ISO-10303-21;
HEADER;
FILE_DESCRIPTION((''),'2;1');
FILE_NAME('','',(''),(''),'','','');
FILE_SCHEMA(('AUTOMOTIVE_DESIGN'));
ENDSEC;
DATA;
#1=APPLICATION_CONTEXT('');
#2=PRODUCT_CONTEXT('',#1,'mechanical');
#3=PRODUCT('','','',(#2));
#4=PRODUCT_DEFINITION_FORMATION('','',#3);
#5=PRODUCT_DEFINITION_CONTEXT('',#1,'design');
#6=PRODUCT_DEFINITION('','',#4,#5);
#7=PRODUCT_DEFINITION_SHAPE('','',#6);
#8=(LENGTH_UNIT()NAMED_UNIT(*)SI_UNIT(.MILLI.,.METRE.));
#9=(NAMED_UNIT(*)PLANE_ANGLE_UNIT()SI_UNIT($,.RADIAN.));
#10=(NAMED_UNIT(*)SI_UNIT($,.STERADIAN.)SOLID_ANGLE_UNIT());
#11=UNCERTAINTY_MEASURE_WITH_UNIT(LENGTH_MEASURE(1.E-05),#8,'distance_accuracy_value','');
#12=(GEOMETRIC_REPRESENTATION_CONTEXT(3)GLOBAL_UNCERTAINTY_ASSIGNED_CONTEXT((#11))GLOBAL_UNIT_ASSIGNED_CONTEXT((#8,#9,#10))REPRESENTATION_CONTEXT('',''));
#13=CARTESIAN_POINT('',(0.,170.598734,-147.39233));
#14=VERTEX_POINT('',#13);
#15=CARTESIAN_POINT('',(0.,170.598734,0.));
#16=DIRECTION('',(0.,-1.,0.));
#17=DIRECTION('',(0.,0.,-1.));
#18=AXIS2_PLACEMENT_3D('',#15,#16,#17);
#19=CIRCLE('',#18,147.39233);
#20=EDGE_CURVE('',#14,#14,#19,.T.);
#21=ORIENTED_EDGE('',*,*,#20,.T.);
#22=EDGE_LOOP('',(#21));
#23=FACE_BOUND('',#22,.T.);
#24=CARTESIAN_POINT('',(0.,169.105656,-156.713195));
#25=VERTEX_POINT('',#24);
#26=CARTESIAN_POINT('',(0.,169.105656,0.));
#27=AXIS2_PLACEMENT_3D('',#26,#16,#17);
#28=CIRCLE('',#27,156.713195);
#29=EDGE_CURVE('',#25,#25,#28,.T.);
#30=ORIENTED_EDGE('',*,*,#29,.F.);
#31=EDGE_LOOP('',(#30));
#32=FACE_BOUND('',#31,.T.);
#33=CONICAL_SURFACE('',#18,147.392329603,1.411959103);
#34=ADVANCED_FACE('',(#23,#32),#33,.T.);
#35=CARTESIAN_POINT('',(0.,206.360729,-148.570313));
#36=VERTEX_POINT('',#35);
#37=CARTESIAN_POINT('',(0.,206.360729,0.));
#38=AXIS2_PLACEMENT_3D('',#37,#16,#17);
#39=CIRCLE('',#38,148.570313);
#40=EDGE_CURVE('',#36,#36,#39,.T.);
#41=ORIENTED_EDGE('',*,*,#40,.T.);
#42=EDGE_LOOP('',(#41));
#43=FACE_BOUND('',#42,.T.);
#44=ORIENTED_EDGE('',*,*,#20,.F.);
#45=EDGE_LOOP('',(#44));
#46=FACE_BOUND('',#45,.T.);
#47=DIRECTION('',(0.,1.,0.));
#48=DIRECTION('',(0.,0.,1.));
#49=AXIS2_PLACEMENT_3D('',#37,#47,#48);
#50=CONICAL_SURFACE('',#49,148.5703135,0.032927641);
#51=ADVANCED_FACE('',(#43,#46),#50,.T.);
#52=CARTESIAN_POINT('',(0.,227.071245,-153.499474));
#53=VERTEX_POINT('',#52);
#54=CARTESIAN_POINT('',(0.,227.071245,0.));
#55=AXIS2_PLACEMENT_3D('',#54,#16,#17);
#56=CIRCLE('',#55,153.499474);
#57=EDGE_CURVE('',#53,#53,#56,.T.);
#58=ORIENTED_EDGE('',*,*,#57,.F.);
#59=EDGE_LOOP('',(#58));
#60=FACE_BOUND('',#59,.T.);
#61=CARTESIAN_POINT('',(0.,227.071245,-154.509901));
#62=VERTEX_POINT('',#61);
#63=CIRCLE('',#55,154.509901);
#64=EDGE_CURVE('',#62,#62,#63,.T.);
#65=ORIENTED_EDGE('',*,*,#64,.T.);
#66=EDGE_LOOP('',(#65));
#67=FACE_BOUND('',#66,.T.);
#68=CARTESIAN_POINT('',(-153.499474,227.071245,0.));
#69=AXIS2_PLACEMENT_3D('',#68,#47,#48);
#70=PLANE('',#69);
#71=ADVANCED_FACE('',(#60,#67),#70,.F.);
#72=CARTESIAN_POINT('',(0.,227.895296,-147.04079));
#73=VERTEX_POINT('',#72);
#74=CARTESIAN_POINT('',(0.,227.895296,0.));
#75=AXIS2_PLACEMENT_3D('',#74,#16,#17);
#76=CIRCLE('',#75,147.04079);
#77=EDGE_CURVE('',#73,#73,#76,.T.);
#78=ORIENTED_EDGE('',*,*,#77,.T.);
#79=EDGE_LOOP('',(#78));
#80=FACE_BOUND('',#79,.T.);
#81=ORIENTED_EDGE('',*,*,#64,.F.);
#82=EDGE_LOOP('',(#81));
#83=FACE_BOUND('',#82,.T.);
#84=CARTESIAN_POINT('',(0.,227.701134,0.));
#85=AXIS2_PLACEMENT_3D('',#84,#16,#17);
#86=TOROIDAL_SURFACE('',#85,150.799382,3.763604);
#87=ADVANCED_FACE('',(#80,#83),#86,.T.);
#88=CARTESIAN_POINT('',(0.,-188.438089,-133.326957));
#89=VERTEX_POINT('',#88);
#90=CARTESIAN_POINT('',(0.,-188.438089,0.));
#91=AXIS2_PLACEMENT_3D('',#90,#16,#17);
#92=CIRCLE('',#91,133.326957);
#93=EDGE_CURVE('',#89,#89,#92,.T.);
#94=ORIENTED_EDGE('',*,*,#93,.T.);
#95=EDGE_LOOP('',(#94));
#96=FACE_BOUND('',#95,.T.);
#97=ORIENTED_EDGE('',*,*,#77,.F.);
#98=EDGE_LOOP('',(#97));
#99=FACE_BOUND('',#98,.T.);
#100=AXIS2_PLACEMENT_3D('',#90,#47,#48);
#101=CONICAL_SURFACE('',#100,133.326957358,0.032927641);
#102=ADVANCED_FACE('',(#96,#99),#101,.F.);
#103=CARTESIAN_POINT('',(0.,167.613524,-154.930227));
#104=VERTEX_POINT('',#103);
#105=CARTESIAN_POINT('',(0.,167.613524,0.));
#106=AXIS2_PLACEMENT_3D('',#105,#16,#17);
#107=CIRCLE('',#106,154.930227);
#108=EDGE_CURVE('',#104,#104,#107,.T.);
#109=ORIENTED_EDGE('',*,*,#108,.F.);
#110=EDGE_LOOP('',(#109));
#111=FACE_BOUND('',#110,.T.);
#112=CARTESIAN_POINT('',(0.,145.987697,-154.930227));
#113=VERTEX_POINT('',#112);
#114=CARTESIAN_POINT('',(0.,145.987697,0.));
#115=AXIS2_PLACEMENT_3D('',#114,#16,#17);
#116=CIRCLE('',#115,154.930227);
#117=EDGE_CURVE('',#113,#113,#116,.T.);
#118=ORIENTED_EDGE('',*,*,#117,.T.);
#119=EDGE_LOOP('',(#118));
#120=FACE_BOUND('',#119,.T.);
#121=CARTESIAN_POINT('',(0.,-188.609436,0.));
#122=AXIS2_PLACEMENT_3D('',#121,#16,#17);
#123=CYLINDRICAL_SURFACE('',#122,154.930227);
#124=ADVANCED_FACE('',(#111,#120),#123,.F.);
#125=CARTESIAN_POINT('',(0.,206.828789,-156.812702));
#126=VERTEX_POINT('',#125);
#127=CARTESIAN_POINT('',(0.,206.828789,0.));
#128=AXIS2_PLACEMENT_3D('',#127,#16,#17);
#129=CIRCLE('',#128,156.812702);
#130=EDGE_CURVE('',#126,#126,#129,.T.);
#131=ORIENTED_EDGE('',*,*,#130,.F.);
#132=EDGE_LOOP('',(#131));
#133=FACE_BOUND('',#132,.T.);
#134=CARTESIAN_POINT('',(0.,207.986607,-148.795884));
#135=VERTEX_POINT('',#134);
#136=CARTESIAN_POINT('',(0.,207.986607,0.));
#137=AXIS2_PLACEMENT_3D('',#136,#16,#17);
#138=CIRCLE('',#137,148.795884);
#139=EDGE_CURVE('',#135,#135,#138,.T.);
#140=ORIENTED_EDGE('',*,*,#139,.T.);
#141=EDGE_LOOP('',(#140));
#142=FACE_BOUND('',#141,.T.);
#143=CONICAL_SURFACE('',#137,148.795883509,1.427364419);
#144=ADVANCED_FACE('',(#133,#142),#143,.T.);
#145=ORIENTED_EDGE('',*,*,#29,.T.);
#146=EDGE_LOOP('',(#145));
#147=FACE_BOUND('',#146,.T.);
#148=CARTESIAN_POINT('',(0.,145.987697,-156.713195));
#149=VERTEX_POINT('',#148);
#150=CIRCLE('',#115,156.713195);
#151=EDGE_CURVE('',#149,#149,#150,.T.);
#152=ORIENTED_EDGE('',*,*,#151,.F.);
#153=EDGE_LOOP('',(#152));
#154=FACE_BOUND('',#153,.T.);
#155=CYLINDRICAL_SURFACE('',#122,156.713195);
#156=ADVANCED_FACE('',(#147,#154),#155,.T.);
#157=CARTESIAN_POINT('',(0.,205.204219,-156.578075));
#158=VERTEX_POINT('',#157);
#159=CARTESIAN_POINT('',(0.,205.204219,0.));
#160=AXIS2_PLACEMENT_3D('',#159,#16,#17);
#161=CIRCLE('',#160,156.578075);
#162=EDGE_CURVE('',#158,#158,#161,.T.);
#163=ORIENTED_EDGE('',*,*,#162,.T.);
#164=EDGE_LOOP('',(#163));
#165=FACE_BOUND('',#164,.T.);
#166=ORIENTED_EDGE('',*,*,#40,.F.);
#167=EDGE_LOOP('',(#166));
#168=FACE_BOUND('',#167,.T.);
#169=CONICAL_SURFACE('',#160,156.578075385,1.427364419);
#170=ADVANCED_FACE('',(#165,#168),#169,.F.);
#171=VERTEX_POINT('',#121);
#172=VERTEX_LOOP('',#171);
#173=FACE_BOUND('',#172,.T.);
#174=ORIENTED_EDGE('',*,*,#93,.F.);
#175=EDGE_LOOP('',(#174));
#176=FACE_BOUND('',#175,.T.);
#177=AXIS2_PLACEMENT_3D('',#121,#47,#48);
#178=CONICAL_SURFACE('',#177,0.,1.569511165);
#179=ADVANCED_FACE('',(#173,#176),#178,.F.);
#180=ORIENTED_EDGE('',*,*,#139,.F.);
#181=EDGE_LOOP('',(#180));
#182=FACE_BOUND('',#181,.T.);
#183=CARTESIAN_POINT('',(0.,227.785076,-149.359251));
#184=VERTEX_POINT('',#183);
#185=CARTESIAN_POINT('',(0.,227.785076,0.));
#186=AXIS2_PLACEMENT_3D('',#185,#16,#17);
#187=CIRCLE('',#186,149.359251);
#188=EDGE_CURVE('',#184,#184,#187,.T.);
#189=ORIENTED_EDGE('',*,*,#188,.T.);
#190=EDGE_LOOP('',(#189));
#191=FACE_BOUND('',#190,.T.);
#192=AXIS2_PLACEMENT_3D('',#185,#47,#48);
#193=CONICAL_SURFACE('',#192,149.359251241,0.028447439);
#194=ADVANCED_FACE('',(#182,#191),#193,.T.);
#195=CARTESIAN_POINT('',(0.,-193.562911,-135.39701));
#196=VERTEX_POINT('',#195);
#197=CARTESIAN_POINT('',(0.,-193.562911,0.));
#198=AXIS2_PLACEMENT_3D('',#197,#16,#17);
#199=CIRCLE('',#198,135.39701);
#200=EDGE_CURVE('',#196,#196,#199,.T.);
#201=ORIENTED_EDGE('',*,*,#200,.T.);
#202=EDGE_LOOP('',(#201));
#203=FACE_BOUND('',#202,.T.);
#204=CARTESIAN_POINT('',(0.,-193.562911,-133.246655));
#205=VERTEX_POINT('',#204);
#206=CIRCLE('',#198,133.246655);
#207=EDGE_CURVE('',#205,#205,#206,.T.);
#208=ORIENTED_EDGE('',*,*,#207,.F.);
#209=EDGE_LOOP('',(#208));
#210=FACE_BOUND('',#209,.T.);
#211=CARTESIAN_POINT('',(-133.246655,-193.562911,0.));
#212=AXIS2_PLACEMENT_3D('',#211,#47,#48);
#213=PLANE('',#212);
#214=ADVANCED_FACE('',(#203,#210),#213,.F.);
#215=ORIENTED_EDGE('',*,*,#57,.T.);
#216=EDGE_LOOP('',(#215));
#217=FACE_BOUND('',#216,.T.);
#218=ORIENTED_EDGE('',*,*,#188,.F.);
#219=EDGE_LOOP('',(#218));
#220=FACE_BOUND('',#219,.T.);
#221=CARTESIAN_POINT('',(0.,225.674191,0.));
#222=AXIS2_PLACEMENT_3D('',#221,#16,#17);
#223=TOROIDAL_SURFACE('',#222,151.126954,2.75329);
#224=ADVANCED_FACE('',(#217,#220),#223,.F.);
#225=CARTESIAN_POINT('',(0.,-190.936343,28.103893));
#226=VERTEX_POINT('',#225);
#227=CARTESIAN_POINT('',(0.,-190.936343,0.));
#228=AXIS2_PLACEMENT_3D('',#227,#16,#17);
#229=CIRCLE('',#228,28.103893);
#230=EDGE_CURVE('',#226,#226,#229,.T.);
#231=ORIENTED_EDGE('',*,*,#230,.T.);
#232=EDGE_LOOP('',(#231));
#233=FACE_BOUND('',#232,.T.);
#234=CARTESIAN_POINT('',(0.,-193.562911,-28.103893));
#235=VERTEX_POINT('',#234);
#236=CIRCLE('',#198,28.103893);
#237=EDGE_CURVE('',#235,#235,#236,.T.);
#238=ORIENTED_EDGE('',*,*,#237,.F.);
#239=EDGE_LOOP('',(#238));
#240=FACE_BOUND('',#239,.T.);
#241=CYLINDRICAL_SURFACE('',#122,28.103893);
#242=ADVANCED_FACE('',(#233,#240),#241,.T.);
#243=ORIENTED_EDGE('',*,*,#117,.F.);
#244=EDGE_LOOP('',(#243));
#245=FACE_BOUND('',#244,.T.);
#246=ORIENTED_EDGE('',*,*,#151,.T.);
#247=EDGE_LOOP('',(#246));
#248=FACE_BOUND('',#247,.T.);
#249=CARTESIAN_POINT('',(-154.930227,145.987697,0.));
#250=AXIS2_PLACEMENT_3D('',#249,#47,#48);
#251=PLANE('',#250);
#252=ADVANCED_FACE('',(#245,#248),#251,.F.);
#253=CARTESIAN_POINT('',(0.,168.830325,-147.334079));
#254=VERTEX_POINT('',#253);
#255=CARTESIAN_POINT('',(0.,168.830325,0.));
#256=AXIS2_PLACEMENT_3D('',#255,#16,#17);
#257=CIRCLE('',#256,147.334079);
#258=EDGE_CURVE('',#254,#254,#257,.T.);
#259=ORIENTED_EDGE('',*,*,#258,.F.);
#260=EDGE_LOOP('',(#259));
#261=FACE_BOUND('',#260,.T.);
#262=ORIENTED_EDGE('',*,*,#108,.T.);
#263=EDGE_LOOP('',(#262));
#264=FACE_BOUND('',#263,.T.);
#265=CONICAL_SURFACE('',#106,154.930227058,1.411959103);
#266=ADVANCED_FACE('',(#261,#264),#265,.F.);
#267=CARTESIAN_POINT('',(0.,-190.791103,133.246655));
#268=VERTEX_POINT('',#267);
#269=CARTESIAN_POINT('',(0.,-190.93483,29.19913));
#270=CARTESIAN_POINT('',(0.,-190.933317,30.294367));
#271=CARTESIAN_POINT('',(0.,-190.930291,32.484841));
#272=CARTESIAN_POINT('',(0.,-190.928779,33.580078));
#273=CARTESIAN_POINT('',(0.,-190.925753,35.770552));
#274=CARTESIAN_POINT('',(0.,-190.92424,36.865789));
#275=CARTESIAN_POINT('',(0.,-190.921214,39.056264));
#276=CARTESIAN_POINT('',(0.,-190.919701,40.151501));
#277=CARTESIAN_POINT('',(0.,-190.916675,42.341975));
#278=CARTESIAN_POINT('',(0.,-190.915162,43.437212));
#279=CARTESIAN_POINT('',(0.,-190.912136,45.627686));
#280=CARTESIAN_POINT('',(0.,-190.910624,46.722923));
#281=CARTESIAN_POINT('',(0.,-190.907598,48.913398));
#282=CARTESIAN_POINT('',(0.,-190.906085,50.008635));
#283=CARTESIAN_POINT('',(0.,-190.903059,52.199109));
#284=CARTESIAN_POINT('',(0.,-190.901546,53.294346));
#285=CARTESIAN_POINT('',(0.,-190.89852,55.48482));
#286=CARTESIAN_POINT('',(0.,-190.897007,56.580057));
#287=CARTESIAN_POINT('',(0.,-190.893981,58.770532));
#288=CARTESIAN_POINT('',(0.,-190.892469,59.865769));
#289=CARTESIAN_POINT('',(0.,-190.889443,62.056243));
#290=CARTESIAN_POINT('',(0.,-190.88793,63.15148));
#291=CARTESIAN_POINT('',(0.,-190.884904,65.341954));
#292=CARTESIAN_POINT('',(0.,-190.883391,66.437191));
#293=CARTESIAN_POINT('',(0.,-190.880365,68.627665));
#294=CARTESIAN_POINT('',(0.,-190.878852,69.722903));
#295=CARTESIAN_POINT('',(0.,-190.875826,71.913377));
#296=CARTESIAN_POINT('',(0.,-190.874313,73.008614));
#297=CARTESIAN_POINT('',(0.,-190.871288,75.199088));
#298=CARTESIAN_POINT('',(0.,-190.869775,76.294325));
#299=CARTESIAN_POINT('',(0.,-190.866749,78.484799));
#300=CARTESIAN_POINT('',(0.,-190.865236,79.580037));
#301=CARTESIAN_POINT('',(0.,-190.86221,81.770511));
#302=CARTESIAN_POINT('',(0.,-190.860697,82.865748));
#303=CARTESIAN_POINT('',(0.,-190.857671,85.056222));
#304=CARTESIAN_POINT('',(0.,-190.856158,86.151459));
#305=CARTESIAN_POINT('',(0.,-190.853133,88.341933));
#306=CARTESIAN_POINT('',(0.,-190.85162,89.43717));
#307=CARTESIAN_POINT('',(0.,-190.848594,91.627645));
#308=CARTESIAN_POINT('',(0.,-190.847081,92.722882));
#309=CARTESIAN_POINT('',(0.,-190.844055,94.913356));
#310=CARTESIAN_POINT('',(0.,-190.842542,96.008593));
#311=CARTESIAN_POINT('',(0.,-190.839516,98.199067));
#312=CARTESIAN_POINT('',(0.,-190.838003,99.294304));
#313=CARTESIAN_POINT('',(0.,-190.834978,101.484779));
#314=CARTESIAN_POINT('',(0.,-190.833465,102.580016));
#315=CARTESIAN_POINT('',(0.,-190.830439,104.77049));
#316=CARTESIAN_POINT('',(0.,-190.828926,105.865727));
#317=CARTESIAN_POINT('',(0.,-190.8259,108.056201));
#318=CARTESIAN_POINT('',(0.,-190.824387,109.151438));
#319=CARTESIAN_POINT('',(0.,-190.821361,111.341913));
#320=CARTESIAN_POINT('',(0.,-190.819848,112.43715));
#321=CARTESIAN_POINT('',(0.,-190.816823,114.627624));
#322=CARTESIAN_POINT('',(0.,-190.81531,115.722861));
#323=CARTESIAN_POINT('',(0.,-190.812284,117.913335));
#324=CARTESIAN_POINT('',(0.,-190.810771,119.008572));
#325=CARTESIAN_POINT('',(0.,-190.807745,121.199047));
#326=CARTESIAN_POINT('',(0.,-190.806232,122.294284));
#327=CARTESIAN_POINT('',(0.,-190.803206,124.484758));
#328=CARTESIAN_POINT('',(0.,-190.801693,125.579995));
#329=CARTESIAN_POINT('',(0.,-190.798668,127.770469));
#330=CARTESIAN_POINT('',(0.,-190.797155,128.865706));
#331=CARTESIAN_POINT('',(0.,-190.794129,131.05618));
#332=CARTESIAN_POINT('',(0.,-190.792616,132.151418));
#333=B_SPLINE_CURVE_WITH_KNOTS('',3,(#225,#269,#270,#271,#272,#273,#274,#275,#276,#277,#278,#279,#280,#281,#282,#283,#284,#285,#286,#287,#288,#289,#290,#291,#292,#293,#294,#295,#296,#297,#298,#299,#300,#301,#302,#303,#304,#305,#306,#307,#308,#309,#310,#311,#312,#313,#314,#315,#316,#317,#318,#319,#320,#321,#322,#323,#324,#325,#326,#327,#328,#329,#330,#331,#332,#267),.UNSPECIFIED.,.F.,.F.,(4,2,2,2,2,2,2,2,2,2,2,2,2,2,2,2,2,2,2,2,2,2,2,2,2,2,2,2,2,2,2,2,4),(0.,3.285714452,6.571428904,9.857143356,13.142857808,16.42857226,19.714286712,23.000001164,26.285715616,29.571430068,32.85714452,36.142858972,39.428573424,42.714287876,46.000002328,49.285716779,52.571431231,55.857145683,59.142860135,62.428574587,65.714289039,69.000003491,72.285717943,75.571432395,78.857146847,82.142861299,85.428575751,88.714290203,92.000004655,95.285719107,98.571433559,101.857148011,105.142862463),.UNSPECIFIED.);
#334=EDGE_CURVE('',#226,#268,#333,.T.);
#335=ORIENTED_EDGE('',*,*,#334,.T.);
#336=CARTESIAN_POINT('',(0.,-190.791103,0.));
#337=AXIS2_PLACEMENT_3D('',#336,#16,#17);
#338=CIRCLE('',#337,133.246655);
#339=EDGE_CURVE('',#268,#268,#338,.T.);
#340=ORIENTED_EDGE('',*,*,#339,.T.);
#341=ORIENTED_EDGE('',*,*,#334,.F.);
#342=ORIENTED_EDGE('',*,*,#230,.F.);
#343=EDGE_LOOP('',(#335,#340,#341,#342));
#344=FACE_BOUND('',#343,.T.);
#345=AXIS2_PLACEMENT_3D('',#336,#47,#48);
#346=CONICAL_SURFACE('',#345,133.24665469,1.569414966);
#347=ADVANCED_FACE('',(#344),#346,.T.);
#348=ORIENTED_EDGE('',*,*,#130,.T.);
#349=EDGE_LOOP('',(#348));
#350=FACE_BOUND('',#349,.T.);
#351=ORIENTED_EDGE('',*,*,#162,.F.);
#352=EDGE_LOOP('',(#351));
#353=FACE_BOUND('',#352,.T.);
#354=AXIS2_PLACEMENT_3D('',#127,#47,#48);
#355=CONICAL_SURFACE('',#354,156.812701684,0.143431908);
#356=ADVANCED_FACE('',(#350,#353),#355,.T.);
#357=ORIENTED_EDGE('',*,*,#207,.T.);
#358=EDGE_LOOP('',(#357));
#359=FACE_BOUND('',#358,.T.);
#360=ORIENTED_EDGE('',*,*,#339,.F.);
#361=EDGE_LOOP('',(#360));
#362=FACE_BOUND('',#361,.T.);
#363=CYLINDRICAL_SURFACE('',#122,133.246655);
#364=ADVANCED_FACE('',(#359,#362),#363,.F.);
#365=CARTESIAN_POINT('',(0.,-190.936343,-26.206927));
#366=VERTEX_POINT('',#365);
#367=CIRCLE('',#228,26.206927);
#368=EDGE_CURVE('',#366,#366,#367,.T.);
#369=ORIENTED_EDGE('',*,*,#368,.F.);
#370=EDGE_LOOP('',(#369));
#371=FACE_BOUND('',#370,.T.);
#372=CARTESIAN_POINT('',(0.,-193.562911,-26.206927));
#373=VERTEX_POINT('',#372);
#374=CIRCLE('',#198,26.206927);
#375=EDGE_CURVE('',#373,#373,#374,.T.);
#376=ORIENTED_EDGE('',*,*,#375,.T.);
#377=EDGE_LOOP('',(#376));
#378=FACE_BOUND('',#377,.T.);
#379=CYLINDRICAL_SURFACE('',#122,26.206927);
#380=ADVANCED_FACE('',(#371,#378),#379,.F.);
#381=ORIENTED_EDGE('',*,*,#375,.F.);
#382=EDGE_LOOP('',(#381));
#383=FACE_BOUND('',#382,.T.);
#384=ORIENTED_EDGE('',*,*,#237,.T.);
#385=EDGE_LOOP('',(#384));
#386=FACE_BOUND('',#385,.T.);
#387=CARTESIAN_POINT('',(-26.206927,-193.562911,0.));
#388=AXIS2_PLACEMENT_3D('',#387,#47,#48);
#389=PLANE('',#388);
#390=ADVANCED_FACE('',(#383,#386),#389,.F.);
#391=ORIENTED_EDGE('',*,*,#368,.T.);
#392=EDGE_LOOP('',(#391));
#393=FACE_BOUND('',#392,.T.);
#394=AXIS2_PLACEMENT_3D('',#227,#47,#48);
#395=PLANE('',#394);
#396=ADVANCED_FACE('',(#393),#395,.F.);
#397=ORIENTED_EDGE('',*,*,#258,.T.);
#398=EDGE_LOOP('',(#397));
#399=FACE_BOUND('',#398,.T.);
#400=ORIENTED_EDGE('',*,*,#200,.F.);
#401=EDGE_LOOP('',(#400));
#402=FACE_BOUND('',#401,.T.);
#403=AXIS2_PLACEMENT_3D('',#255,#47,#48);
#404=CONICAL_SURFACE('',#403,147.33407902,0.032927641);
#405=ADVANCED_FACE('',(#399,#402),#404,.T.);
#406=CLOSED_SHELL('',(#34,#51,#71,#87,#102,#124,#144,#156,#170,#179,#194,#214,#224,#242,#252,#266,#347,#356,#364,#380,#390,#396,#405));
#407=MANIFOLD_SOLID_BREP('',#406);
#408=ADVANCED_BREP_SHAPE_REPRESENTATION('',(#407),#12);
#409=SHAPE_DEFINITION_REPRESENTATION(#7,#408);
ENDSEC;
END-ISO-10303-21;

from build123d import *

# Parameters (mm, degrees)
SCALE1_SCALE = 24.694444444


with BuildPart() as part:
    # Sketch1 → Revolve1 (revolve)
    with BuildSketch(Plane.XY, mode=Mode.PRIVATE) as revolve1_sk:
        with BuildLine():
            Line((0, -0.094227964), (-1.061247893, -0.094227964))
            Line((-1.061247893, -0.094227964), (-1.061247893, -0.200590652))
            Line((-1.061247893, -0.200590652), (-1.13806539, -0.200590652))
            Line((-1.13806539, -0.200590652), (-1.13806539, -0.094227964))
            Line((-1.13806539, -0.094227964), (-5.395815038, -0.08834647))
            Line((-5.395815038, -0.08834647), (-5.395815038, -0.200590652))
            Line((-5.395815038, -0.200590652), (-5.482893557, -0.200590652))
            Line((-5.482893557, -0.200590652), (-5.966284415, 14.474501006))
            Line((-5.966284415, 14.474501006), (-6.27388996, 14.425226712))
            Line((-6.27388996, 14.425226712), (-6.27388996, 13.549490193))
            Line((-6.27388996, 13.549490193), (-6.346091135, 13.549490193))
            Line((-6.346091135, 13.549490193), (-6.346091135, 14.485650511))
            Line((-6.346091135, 14.485650511), (-5.968643269, 14.546112611))
            Line((-5.968643269, 14.546112611), (-6.016345654, 15.994292405))
            Line((-6.016345654, 15.994292405), (-6.340619476, 15.947459591))
            Line((-6.340619476, 15.947459591), (-6.350120653, 16.013246438))
            Line((-6.350120653, 16.013246438), (-6.025480097, 16.060132217))
            Line((-6.025480097, 16.060132217), (-6.048293639, 16.861870002))
            ThreePointArc((-6.048293639, 16.861870002), (-6.138820306, 16.886263059), (-6.215951685, 16.832963442))
            Line((-6.215951685, 16.832963442), (-6.256868902, 16.832963442))
            ThreePointArc((-6.256868902, 16.832963442), (-6.123324966, 17.009958484), (-5.954407696, 16.866333335))
            Line((-5.954407696, 16.866333335), (-5.39906689, 0.006938679))
            Line((-5.39906689, 0.006938679), (0, 0))
            Line((0, 0), (0, -0.094227964))
        make_face()
    revolve(revolve1_sk.sketch.rotate(Axis((0, 0, 0), (0, 1, 0)), 270), axis=Axis((0, 0, 0), (0, 1, 0)))


with BuildPart() as part_1:
    # Scale1: scaled about (0, 7.960069981, 0)
    add(part.part.scale(SCALE1_SCALE).moved(Location((0, -188.609435939, 0))))


solid = part_1.part
